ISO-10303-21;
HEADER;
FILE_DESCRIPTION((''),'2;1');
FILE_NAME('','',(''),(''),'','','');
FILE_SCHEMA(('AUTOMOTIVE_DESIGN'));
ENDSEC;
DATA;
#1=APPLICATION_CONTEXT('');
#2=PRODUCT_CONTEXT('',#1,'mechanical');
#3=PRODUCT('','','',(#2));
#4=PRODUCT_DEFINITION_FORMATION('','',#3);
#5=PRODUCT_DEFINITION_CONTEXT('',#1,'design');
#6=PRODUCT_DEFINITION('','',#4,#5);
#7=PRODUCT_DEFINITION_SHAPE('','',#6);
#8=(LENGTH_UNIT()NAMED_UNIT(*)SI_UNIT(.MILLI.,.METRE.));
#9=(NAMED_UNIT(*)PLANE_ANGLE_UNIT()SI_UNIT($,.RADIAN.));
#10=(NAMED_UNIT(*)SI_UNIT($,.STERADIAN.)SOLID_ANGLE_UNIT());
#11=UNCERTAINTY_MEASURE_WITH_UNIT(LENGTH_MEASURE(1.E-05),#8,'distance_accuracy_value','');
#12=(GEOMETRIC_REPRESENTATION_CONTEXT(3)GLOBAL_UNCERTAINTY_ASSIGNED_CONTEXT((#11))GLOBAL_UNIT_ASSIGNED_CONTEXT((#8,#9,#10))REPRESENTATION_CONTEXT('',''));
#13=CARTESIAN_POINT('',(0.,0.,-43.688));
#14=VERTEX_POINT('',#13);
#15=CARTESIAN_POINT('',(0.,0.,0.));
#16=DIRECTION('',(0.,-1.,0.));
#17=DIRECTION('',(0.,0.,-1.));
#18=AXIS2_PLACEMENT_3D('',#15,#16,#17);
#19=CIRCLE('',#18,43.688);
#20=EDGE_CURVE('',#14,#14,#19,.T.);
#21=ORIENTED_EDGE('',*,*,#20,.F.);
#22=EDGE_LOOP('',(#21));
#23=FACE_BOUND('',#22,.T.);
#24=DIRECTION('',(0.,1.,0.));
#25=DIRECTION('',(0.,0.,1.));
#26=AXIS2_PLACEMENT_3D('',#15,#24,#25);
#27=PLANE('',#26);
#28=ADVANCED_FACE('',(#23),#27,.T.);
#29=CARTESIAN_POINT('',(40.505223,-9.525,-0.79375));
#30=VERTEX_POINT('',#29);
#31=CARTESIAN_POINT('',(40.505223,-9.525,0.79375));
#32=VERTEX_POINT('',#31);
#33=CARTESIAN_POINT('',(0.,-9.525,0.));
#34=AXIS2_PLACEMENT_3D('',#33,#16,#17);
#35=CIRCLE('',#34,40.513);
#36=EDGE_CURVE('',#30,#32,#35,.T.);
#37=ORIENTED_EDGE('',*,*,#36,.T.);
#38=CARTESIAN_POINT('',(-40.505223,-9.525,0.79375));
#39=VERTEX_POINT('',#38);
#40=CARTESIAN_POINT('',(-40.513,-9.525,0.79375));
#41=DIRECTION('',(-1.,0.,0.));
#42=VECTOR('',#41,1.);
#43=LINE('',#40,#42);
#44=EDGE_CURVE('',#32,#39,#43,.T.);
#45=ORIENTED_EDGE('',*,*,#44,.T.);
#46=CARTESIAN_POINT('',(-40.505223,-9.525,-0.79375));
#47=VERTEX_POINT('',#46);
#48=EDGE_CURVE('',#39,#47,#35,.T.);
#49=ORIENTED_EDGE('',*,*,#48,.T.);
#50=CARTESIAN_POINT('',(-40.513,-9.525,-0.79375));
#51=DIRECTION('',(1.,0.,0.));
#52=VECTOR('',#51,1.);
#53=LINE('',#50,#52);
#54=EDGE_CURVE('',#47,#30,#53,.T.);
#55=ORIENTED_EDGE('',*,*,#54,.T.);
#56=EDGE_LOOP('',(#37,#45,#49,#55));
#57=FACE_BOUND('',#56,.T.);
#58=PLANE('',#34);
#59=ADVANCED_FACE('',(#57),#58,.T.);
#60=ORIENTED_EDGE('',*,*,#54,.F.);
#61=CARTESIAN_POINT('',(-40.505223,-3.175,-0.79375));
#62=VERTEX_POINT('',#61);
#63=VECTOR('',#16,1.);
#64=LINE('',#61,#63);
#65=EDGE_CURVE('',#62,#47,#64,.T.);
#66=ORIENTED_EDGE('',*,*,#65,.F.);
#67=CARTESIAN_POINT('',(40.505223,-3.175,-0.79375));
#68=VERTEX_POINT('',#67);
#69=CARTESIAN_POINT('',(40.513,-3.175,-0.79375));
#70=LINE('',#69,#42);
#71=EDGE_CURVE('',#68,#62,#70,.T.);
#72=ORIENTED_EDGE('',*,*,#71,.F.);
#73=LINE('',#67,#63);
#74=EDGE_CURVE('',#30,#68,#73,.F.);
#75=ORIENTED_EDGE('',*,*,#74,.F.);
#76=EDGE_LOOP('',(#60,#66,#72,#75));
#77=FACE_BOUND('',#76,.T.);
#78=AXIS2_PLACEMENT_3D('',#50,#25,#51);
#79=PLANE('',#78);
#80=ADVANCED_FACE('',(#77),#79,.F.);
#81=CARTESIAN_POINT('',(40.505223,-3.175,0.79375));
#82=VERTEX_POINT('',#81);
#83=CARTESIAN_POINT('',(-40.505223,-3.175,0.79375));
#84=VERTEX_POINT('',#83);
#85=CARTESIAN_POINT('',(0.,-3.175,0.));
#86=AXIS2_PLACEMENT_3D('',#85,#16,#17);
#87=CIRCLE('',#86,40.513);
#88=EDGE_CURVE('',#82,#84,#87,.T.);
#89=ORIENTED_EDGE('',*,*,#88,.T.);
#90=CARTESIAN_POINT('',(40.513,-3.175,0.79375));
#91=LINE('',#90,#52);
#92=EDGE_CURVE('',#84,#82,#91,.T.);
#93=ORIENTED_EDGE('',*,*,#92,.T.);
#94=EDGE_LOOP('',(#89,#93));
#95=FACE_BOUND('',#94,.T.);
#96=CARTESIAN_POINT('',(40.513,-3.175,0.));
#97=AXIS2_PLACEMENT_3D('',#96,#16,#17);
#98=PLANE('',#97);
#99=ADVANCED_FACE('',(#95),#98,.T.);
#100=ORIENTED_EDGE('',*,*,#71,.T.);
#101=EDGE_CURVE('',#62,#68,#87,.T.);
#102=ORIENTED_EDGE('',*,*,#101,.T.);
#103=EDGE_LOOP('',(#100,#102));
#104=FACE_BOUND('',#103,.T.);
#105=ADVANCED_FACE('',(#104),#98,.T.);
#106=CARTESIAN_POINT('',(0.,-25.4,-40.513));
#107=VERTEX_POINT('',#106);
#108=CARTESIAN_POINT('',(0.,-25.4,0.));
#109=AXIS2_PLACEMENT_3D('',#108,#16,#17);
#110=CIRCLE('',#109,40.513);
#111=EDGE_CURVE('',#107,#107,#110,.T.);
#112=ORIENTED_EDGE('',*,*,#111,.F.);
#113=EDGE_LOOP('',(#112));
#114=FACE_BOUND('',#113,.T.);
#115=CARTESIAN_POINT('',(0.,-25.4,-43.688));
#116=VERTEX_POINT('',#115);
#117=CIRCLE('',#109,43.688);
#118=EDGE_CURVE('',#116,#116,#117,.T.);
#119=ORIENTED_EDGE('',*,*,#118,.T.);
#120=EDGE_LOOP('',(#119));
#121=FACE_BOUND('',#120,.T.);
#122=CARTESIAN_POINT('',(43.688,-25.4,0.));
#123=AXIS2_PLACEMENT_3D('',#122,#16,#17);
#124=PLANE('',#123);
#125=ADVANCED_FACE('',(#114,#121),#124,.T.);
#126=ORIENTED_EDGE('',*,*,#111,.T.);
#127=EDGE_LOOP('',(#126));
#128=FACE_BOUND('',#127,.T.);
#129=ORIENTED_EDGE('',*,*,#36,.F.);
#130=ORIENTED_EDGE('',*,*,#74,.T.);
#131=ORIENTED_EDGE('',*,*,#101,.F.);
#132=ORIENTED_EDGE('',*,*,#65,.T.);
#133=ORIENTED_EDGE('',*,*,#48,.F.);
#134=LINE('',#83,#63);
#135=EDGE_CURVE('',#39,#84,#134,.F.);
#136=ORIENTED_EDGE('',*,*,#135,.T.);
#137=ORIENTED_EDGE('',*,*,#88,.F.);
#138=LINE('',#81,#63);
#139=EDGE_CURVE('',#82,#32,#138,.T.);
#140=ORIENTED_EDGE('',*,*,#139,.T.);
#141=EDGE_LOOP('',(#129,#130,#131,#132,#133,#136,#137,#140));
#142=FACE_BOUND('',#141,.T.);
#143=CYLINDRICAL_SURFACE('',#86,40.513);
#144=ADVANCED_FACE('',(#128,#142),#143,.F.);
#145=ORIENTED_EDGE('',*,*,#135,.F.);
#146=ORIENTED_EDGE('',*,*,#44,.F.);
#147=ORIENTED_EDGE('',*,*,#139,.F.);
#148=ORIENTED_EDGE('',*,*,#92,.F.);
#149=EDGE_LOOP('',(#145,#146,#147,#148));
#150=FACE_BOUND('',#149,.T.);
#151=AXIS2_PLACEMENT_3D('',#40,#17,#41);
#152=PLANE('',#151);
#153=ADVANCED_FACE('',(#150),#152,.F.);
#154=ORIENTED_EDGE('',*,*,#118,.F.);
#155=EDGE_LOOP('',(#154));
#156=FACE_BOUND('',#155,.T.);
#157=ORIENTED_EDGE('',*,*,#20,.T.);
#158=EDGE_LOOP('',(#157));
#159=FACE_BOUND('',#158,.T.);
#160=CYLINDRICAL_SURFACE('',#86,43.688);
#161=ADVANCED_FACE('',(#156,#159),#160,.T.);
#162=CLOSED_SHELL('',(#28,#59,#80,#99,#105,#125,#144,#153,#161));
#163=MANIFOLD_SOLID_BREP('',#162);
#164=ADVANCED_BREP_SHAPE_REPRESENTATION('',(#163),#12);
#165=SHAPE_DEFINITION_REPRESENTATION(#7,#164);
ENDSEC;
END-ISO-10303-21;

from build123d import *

# Parameters (mm, degrees)
SKETCH2_W           = 81.026
SKETCH2_H           = 1.5875
BOSS_EXTRUDE1_DEPTH = 6.35


with BuildPart() as part:
    # Sketch1 → Revolve1 (revolve)
    with BuildSketch(Plane.XY, mode=Mode.PRIVATE) as revolve1_sk:
        Polygon((0, 0), (43.688, 0), (43.688, -25.4), (40.513, -25.4), (40.513, -3.175), (0, -3.175), align=None)
    revolve(revolve1_sk.sketch.rotate(Axis((0, -3.175, 0), (0, 1, 0)), 90), axis=Axis((0, -3.175, 0), (0, 1, 0)))

    # Sketch2 → Boss-Extrude1 (add)
    with BuildSketch(Plane.XZ.offset(3.175)):
        Rectangle(SKETCH2_W, SKETCH2_H)
    extrude(amount=BOSS_EXTRUDE1_DEPTH)


solid = part.part
